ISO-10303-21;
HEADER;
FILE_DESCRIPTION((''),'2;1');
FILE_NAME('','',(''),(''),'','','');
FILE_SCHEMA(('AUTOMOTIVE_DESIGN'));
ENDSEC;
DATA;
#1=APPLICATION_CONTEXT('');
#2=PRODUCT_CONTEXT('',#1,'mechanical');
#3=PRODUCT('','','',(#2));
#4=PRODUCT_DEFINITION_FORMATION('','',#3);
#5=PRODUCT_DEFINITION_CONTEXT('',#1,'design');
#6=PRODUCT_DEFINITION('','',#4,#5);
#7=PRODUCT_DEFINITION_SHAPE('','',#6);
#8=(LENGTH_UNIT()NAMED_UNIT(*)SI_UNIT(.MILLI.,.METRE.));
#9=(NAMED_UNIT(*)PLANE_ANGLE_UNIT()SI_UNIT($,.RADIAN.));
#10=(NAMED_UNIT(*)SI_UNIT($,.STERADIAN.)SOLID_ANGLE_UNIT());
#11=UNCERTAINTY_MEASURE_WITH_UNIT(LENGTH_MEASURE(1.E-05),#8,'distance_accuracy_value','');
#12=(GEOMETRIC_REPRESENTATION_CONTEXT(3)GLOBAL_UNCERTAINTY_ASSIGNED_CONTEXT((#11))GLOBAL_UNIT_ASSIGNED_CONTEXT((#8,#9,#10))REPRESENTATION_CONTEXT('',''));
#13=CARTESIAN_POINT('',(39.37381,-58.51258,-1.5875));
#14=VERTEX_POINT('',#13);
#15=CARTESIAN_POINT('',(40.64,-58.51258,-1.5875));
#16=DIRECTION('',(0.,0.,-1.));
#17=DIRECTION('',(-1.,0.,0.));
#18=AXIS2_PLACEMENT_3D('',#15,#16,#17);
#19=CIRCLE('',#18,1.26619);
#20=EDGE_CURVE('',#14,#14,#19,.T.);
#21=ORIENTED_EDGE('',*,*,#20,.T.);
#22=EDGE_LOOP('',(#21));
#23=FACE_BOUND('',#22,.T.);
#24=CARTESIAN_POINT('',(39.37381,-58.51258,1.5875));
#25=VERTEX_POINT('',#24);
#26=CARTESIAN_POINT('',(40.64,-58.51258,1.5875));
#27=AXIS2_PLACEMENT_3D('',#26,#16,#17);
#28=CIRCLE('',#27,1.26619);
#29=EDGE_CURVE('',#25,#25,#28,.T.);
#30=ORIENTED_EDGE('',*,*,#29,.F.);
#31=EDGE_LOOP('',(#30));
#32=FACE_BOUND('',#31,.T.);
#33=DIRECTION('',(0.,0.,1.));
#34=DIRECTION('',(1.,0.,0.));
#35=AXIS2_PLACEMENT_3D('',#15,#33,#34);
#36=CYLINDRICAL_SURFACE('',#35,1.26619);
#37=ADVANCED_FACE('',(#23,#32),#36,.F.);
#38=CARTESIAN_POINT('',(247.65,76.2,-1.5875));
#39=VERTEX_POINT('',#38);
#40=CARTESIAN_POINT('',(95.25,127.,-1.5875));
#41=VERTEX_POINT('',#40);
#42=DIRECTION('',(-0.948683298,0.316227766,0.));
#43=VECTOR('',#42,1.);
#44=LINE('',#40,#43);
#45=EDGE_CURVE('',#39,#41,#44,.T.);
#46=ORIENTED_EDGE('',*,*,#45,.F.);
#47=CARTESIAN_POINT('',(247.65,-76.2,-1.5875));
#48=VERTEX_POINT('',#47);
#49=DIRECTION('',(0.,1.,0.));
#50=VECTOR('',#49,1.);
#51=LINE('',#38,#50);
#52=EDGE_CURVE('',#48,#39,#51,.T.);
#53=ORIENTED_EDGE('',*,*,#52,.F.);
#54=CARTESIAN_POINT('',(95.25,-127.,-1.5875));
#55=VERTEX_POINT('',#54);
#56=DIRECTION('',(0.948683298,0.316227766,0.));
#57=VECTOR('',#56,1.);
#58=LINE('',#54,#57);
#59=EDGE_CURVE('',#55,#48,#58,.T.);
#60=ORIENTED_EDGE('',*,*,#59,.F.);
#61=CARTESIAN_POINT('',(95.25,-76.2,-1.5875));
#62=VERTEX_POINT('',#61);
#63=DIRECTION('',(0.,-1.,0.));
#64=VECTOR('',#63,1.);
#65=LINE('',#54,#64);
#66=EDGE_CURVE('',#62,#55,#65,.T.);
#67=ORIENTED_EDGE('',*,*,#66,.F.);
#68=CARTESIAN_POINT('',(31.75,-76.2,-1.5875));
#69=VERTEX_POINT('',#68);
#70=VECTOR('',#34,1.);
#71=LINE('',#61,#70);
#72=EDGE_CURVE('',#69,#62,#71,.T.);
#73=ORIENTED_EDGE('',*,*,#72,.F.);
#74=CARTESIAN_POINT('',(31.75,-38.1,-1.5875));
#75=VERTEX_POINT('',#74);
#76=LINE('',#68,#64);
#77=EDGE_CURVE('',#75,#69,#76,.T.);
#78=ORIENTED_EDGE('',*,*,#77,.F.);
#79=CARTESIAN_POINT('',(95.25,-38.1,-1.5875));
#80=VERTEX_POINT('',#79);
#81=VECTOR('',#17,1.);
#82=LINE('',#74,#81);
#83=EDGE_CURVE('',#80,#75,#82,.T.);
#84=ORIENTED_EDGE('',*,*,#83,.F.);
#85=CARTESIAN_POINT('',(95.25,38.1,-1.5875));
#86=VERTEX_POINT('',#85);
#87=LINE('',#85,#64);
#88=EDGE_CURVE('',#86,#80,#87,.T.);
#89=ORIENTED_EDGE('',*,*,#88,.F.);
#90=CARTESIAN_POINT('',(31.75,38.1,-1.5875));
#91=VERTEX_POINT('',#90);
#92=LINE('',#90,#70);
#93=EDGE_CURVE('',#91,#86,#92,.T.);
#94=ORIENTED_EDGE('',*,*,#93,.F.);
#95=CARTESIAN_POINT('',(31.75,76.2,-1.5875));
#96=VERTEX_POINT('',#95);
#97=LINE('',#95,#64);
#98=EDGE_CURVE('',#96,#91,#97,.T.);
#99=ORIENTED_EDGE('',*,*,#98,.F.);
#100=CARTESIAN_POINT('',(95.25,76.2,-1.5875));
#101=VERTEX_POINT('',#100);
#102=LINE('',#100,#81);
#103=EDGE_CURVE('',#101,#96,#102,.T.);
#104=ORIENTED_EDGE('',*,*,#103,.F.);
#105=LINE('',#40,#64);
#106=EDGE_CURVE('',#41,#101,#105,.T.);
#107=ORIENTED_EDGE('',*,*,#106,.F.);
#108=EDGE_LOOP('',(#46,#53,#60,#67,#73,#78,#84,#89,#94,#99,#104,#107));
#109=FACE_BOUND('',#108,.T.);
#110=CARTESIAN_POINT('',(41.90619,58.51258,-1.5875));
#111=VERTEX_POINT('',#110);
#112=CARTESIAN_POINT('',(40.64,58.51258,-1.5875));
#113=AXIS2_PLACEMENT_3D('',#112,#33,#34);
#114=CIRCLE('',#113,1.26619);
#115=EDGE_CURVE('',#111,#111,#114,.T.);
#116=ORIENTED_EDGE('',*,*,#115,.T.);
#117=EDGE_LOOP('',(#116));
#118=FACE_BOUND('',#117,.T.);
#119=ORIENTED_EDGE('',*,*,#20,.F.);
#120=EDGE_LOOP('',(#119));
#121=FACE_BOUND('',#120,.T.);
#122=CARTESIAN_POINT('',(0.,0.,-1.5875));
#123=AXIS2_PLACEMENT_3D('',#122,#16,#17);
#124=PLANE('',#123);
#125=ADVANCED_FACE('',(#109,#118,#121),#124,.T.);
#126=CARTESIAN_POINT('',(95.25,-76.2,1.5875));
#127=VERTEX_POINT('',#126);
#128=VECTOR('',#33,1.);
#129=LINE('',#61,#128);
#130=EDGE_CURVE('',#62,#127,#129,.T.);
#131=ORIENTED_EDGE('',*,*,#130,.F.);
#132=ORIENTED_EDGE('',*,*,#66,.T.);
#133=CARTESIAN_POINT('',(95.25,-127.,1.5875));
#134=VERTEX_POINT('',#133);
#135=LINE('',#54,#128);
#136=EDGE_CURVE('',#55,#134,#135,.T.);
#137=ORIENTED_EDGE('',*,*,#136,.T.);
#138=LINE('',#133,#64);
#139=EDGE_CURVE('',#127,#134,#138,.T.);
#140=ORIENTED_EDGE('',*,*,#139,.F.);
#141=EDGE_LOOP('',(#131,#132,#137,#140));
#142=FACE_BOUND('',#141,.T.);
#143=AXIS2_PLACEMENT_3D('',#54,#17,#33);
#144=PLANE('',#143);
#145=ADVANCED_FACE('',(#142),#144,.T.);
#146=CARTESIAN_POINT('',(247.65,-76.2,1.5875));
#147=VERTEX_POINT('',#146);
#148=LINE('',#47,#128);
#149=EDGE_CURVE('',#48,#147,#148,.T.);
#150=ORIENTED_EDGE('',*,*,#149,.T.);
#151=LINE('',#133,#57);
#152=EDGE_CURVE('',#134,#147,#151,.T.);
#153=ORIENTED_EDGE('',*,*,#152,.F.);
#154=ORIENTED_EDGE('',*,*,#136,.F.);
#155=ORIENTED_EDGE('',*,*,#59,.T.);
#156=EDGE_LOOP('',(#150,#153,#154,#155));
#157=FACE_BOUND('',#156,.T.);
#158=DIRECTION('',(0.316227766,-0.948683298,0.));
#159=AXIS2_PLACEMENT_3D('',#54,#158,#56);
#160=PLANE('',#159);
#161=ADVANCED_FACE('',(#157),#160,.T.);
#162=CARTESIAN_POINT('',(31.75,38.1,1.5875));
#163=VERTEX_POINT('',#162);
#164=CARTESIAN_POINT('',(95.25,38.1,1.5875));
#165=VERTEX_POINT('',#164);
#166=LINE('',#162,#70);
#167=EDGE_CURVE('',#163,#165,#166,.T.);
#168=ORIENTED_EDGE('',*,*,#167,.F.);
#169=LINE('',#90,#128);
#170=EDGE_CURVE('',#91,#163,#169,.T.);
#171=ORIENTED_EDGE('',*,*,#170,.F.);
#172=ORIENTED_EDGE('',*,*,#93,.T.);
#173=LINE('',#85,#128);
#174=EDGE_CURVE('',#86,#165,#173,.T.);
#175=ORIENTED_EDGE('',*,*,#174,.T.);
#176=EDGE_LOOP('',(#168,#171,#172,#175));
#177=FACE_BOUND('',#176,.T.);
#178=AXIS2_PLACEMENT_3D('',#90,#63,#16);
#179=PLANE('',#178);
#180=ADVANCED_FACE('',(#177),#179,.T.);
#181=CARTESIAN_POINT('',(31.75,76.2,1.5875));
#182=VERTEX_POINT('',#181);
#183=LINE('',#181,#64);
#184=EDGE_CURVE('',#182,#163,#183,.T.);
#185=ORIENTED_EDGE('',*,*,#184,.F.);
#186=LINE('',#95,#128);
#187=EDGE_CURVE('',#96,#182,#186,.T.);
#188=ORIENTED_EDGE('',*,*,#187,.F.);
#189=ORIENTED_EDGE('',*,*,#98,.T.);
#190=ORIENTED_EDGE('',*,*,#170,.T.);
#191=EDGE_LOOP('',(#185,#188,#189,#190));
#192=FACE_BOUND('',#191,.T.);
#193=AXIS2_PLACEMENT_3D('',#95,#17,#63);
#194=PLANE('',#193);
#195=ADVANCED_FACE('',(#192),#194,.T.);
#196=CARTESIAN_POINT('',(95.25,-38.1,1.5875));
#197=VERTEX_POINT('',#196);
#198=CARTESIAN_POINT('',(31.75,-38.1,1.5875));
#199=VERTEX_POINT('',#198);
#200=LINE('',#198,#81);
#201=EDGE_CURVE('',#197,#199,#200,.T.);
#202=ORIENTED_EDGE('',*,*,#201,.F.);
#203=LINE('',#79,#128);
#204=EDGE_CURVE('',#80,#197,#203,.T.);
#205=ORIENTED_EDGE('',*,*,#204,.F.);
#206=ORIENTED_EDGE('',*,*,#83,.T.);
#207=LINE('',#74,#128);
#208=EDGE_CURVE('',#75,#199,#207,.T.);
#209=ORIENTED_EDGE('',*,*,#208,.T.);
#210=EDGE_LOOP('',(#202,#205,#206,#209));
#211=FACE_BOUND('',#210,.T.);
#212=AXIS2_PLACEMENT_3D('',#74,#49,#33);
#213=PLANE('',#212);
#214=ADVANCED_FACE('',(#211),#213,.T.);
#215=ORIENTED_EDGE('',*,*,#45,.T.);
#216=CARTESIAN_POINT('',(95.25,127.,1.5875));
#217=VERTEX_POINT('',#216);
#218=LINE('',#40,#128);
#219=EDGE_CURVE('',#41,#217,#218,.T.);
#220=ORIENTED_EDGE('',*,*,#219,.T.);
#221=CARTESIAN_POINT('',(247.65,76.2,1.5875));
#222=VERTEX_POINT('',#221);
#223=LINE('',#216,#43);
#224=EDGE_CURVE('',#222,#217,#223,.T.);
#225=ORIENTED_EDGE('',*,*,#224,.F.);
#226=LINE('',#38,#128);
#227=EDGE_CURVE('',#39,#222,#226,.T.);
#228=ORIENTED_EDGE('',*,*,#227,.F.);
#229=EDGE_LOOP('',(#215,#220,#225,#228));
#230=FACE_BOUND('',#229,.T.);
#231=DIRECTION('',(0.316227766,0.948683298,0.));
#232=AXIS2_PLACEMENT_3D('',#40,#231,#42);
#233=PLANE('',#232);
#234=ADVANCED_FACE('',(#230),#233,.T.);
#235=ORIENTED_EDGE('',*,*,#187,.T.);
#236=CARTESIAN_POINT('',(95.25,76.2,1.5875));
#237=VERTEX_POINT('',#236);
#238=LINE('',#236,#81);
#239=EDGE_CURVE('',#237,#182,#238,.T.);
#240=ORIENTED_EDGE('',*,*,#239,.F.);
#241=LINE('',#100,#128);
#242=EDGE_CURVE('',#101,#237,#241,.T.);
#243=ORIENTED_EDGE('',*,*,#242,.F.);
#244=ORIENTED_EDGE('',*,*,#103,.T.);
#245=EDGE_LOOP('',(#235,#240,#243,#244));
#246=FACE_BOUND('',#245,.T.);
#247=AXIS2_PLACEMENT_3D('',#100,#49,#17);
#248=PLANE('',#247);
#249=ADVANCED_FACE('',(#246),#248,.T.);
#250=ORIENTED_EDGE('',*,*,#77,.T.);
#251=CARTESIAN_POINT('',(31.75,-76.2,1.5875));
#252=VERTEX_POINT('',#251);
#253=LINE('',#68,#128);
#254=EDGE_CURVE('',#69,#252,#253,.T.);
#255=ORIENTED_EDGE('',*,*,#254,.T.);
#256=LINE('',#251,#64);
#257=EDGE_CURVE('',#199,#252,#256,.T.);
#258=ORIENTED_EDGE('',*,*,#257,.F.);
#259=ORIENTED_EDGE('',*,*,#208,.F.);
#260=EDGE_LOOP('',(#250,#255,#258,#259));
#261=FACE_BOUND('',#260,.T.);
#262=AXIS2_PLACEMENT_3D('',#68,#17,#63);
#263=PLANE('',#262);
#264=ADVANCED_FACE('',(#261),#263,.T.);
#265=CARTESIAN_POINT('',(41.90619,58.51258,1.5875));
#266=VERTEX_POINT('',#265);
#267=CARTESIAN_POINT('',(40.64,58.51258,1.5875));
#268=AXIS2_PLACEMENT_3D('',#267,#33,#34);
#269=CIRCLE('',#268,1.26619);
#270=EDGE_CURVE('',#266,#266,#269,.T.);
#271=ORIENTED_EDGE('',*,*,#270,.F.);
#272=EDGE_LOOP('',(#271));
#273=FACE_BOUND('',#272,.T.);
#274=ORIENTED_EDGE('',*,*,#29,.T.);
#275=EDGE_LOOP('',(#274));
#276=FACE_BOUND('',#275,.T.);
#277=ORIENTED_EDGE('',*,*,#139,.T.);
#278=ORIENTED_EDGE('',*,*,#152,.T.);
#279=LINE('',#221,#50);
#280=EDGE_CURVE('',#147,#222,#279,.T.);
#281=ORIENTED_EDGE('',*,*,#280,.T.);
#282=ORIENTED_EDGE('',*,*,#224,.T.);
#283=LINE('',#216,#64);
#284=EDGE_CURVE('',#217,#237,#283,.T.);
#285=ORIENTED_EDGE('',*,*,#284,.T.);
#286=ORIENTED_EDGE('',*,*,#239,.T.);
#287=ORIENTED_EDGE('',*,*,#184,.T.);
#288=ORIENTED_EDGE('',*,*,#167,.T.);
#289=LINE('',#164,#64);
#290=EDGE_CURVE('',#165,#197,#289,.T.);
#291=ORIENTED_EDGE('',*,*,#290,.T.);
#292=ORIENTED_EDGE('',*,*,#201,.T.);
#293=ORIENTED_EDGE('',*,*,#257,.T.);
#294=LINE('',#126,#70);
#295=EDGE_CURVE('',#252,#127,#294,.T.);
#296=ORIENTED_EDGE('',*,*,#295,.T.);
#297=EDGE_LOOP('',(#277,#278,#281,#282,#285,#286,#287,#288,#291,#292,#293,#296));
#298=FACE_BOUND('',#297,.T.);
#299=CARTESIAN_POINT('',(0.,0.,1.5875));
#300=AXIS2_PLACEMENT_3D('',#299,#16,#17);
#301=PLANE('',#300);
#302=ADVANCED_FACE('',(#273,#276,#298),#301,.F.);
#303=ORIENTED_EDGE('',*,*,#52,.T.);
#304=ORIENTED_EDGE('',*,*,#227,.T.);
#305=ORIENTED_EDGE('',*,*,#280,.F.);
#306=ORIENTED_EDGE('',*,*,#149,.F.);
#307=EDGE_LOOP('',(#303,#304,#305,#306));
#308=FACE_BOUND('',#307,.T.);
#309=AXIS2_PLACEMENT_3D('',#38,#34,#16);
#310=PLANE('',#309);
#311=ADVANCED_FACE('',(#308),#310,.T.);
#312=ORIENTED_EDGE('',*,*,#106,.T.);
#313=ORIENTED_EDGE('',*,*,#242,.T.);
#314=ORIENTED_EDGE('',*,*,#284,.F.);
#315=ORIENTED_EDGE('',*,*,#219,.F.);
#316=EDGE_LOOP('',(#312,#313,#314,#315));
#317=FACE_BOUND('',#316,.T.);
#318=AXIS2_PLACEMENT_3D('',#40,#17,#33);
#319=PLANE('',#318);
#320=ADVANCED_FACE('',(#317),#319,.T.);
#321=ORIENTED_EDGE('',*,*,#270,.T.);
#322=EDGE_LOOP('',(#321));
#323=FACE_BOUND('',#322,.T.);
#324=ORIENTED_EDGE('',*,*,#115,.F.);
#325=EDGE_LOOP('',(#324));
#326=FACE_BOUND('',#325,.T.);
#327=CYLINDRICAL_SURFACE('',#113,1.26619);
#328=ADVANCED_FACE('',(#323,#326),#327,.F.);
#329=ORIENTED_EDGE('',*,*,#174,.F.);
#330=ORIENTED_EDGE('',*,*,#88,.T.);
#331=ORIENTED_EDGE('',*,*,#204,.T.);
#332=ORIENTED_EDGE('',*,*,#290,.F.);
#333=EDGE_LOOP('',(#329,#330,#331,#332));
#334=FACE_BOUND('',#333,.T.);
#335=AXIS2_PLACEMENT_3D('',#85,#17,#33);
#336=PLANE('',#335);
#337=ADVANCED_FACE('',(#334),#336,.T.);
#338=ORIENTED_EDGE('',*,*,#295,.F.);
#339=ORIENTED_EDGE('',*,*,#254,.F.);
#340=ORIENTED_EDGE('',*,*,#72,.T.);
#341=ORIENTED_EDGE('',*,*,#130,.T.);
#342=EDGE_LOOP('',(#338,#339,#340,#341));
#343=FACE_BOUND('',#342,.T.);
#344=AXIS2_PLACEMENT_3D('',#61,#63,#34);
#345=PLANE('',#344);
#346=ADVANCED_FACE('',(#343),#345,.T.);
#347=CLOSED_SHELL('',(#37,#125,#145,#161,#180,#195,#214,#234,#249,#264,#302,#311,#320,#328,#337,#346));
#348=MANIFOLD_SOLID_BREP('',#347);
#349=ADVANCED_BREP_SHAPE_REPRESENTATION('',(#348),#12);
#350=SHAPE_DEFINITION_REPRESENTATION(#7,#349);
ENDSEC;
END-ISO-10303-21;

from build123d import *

# Parameters (mm, degrees)
BOSS_EXTRUDE1_DEPTH      = 1.5875
BOSS_EXTRUDE1_DEPTH_BACK = 1.5875
SKETCH2_R                = 1.26619
CUT_EXTRUDE1_DEPTH       = 279.333618388


with BuildPart() as part:
    # Sketch1 → Boss-Extrude1 (new, two sides: drawn at the far end of the back side and taken through both)
    with BuildSketch(Plane.XY.offset(-BOSS_EXTRUDE1_DEPTH_BACK)):
        Polygon((95.25, 127), (247.65, 76.2), (247.65, -76.2), (95.25, -127), (95.25, -76.2), (31.75, -76.2), (31.75, -38.1), (95.25, -38.1), (95.25, 38.1), (31.75, 38.1), (31.75, 76.2), (95.25, 76.2), align=None)
    extrude(amount=BOSS_EXTRUDE1_DEPTH + BOSS_EXTRUDE1_DEPTH_BACK)

    # Sketch2 → Cut-Extrude1 (cut, through all)
    with BuildSketch(Plane.XY.offset(1.5875)):
        with Locations((40.64, 58.512580329)):
            Circle(SKETCH2_R)
        with Locations((40.64, -58.512580329)):
            Circle(SKETCH2_R)
    extrude(amount=-CUT_EXTRUDE1_DEPTH, mode=Mode.SUBTRACT)


solid = part.part
